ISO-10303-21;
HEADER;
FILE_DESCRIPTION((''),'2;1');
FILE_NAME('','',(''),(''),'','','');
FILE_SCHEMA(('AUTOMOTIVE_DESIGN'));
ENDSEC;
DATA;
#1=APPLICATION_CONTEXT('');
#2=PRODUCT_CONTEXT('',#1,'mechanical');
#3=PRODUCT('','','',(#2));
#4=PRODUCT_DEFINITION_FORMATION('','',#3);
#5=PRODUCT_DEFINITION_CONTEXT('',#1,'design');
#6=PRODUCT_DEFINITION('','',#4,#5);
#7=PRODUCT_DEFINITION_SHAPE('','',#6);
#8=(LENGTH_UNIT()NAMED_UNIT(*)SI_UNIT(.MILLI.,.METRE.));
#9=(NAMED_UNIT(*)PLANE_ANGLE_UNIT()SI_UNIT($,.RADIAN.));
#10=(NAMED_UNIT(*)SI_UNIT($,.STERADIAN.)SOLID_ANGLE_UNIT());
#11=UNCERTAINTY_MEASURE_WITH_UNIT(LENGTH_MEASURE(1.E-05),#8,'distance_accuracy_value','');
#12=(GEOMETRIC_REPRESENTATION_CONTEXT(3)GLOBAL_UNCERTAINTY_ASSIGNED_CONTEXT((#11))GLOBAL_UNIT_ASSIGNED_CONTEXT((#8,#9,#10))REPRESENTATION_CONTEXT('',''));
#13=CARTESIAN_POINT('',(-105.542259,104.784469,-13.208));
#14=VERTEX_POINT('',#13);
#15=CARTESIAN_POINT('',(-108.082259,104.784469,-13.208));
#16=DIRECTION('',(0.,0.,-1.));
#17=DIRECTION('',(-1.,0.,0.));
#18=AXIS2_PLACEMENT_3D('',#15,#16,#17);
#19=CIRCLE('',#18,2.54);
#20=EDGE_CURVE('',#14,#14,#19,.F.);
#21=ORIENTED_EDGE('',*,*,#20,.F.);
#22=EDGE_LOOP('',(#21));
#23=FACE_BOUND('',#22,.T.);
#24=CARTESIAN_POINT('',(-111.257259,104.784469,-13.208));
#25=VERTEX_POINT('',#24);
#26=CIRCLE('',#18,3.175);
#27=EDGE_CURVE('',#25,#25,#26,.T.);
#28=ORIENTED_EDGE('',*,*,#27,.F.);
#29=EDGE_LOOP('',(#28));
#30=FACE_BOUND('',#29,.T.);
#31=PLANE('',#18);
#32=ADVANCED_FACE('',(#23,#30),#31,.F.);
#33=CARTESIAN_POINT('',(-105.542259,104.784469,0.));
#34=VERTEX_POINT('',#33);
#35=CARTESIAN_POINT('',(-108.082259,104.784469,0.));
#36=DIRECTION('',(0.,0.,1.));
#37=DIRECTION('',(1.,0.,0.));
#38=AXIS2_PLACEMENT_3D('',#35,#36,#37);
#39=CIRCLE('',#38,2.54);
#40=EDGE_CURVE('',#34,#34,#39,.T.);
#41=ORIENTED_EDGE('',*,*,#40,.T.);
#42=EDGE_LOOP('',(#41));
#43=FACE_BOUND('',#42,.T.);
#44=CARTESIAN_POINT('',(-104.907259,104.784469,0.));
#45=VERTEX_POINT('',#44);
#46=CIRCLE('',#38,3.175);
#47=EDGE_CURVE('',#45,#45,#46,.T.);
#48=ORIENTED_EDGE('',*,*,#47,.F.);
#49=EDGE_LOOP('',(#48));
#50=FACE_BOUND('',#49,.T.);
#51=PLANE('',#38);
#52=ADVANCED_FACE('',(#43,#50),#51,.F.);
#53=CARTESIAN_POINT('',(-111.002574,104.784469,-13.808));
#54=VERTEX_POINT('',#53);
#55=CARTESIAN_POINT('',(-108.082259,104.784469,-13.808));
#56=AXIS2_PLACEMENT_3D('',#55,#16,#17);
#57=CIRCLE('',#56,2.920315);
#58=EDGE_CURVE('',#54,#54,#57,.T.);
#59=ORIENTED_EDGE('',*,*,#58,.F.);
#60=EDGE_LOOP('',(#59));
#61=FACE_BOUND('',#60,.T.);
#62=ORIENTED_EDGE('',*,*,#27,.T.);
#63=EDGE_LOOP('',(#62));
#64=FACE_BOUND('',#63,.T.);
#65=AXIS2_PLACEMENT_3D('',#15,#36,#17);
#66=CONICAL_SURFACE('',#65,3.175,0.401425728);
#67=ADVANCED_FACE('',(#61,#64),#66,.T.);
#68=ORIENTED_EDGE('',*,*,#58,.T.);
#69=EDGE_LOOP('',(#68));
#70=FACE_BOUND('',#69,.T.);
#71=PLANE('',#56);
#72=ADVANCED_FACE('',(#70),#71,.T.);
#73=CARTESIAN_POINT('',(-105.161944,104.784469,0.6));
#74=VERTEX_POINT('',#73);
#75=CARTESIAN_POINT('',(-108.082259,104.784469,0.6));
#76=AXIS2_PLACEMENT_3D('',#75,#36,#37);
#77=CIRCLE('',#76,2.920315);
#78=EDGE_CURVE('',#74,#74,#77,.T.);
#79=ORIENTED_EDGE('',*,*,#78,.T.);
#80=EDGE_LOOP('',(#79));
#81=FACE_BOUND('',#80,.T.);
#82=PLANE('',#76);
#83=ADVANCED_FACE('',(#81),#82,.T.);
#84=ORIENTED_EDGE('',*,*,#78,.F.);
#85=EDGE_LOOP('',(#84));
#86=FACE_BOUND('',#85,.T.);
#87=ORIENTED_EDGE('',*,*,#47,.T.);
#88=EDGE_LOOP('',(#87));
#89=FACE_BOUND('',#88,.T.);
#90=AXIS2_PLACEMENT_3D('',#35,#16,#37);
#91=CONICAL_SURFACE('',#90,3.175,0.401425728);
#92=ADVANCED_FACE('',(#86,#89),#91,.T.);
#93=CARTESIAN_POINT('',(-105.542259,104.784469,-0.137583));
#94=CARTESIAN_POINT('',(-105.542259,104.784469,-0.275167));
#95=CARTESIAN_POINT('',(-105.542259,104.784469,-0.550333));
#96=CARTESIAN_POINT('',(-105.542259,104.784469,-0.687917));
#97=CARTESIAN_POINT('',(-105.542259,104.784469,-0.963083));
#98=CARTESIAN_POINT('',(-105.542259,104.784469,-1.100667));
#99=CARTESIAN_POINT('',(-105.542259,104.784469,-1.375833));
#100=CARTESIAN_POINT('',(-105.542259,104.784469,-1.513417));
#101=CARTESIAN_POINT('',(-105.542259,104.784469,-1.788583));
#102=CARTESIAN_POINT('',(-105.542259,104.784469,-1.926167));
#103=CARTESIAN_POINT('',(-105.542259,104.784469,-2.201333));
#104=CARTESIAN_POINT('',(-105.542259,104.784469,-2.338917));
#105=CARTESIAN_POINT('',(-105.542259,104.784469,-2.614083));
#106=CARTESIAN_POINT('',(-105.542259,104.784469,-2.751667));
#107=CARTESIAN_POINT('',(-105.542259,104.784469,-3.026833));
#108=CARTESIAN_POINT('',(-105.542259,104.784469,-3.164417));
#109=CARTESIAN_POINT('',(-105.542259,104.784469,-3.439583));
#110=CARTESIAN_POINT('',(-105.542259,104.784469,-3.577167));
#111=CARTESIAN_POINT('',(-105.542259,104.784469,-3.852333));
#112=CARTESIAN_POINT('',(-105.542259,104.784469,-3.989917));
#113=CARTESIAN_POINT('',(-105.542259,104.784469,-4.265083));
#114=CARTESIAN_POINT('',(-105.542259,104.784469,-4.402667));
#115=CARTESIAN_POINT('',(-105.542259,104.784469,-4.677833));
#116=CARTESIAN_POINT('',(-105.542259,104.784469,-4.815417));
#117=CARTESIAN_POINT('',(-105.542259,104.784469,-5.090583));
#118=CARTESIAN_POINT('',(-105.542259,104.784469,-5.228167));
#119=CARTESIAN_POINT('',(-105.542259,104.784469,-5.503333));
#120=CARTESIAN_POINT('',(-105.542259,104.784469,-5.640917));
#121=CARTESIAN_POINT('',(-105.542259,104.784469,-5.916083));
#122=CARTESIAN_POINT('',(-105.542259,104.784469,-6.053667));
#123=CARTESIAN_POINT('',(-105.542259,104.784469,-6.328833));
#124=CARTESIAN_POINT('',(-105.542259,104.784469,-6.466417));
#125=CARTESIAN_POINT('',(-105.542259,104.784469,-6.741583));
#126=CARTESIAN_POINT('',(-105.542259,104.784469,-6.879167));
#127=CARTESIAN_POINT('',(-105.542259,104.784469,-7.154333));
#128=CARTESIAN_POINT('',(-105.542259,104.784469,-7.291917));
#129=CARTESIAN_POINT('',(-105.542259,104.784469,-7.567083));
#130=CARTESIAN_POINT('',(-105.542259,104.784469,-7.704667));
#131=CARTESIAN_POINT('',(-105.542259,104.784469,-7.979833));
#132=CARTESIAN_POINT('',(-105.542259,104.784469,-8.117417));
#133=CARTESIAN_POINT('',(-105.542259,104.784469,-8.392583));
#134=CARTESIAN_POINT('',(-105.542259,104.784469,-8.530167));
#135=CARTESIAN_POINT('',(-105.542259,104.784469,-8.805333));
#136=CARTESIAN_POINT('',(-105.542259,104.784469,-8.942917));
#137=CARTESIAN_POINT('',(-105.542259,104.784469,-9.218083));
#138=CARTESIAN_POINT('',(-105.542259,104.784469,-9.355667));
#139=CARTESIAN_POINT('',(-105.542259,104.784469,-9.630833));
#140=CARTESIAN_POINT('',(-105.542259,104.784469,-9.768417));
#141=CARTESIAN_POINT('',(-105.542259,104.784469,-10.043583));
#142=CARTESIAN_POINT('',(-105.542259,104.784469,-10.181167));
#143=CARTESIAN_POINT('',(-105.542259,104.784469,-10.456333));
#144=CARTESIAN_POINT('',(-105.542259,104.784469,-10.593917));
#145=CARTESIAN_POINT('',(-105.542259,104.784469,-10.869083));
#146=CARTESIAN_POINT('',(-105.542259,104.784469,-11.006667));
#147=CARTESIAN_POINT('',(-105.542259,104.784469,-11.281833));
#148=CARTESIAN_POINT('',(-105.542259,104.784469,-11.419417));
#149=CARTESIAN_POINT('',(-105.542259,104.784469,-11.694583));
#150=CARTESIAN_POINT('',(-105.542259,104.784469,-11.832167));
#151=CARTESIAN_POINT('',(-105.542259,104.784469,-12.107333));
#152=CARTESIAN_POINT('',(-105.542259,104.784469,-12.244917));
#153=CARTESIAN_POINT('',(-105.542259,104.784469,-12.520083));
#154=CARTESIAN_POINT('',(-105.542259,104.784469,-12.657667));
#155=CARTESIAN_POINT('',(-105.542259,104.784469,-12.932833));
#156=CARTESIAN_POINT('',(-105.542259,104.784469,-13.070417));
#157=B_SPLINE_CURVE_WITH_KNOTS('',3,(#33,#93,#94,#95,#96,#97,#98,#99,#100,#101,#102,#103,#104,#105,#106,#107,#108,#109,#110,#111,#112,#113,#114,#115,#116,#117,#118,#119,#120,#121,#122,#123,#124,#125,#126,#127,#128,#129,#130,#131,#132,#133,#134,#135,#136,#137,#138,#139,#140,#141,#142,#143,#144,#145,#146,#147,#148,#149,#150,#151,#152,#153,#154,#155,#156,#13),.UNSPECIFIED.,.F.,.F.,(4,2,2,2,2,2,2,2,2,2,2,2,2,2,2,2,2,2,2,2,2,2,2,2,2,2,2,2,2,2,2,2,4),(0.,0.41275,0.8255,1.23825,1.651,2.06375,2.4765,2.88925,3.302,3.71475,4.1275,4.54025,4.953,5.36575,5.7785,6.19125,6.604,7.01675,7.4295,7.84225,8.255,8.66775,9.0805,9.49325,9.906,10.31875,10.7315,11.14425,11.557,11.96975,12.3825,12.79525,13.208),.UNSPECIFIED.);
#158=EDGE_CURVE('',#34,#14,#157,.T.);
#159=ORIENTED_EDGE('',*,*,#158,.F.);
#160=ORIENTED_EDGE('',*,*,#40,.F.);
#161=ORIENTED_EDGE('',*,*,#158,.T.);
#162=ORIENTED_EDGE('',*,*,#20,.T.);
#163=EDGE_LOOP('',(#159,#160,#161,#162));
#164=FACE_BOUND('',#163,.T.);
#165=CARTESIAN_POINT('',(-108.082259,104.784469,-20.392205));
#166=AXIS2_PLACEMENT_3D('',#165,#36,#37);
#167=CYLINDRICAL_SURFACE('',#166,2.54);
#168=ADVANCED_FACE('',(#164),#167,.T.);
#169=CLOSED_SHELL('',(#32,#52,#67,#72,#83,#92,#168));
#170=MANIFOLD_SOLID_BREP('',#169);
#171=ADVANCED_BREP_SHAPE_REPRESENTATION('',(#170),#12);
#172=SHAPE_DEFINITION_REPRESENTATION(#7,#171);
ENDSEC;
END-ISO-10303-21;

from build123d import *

# Parameters (mm, degrees)
SKETCH1_R      = 2.54
EXTRUDE1_DEPTH = 13.208
SKETCH2_R      = 3.175
EXTRUDE2_DEPTH = 0.6
EXTRUDE2_TAPER = 23
SKETCH3_R      = 3.175
EXTRUDE3_DEPTH = 0.6
EXTRUDE3_TAPER = 23


with BuildPart() as part:
    # Sketch1 → Extrude1 (new body)
    with BuildSketch(Plane.XY):
        with Locations((-108.082258725, 104.784469075)):
            Circle(SKETCH1_R)
    extrude(amount=-EXTRUDE1_DEPTH)

    # Sketch2 → Extrude2 (add)
    with BuildSketch(Plane.XY):
        with Locations((-108.082258725, 104.784469075)):
            Circle(SKETCH2_R)
    extrude(amount=EXTRUDE2_DEPTH, taper=EXTRUDE2_TAPER)

    # Sketch3 → Extrude3 (add)
    with BuildSketch(Plane(origin=(-216.039782036, 1.137132082, -13.208), x_dir=(-1, 0, 0), z_dir=(0, 0, -1))):
        with Locations((-107.957523311, 103.647336992)):
            Circle(SKETCH3_R)
    extrude(amount=EXTRUDE3_DEPTH, taper=EXTRUDE3_TAPER)


solid = part.part
